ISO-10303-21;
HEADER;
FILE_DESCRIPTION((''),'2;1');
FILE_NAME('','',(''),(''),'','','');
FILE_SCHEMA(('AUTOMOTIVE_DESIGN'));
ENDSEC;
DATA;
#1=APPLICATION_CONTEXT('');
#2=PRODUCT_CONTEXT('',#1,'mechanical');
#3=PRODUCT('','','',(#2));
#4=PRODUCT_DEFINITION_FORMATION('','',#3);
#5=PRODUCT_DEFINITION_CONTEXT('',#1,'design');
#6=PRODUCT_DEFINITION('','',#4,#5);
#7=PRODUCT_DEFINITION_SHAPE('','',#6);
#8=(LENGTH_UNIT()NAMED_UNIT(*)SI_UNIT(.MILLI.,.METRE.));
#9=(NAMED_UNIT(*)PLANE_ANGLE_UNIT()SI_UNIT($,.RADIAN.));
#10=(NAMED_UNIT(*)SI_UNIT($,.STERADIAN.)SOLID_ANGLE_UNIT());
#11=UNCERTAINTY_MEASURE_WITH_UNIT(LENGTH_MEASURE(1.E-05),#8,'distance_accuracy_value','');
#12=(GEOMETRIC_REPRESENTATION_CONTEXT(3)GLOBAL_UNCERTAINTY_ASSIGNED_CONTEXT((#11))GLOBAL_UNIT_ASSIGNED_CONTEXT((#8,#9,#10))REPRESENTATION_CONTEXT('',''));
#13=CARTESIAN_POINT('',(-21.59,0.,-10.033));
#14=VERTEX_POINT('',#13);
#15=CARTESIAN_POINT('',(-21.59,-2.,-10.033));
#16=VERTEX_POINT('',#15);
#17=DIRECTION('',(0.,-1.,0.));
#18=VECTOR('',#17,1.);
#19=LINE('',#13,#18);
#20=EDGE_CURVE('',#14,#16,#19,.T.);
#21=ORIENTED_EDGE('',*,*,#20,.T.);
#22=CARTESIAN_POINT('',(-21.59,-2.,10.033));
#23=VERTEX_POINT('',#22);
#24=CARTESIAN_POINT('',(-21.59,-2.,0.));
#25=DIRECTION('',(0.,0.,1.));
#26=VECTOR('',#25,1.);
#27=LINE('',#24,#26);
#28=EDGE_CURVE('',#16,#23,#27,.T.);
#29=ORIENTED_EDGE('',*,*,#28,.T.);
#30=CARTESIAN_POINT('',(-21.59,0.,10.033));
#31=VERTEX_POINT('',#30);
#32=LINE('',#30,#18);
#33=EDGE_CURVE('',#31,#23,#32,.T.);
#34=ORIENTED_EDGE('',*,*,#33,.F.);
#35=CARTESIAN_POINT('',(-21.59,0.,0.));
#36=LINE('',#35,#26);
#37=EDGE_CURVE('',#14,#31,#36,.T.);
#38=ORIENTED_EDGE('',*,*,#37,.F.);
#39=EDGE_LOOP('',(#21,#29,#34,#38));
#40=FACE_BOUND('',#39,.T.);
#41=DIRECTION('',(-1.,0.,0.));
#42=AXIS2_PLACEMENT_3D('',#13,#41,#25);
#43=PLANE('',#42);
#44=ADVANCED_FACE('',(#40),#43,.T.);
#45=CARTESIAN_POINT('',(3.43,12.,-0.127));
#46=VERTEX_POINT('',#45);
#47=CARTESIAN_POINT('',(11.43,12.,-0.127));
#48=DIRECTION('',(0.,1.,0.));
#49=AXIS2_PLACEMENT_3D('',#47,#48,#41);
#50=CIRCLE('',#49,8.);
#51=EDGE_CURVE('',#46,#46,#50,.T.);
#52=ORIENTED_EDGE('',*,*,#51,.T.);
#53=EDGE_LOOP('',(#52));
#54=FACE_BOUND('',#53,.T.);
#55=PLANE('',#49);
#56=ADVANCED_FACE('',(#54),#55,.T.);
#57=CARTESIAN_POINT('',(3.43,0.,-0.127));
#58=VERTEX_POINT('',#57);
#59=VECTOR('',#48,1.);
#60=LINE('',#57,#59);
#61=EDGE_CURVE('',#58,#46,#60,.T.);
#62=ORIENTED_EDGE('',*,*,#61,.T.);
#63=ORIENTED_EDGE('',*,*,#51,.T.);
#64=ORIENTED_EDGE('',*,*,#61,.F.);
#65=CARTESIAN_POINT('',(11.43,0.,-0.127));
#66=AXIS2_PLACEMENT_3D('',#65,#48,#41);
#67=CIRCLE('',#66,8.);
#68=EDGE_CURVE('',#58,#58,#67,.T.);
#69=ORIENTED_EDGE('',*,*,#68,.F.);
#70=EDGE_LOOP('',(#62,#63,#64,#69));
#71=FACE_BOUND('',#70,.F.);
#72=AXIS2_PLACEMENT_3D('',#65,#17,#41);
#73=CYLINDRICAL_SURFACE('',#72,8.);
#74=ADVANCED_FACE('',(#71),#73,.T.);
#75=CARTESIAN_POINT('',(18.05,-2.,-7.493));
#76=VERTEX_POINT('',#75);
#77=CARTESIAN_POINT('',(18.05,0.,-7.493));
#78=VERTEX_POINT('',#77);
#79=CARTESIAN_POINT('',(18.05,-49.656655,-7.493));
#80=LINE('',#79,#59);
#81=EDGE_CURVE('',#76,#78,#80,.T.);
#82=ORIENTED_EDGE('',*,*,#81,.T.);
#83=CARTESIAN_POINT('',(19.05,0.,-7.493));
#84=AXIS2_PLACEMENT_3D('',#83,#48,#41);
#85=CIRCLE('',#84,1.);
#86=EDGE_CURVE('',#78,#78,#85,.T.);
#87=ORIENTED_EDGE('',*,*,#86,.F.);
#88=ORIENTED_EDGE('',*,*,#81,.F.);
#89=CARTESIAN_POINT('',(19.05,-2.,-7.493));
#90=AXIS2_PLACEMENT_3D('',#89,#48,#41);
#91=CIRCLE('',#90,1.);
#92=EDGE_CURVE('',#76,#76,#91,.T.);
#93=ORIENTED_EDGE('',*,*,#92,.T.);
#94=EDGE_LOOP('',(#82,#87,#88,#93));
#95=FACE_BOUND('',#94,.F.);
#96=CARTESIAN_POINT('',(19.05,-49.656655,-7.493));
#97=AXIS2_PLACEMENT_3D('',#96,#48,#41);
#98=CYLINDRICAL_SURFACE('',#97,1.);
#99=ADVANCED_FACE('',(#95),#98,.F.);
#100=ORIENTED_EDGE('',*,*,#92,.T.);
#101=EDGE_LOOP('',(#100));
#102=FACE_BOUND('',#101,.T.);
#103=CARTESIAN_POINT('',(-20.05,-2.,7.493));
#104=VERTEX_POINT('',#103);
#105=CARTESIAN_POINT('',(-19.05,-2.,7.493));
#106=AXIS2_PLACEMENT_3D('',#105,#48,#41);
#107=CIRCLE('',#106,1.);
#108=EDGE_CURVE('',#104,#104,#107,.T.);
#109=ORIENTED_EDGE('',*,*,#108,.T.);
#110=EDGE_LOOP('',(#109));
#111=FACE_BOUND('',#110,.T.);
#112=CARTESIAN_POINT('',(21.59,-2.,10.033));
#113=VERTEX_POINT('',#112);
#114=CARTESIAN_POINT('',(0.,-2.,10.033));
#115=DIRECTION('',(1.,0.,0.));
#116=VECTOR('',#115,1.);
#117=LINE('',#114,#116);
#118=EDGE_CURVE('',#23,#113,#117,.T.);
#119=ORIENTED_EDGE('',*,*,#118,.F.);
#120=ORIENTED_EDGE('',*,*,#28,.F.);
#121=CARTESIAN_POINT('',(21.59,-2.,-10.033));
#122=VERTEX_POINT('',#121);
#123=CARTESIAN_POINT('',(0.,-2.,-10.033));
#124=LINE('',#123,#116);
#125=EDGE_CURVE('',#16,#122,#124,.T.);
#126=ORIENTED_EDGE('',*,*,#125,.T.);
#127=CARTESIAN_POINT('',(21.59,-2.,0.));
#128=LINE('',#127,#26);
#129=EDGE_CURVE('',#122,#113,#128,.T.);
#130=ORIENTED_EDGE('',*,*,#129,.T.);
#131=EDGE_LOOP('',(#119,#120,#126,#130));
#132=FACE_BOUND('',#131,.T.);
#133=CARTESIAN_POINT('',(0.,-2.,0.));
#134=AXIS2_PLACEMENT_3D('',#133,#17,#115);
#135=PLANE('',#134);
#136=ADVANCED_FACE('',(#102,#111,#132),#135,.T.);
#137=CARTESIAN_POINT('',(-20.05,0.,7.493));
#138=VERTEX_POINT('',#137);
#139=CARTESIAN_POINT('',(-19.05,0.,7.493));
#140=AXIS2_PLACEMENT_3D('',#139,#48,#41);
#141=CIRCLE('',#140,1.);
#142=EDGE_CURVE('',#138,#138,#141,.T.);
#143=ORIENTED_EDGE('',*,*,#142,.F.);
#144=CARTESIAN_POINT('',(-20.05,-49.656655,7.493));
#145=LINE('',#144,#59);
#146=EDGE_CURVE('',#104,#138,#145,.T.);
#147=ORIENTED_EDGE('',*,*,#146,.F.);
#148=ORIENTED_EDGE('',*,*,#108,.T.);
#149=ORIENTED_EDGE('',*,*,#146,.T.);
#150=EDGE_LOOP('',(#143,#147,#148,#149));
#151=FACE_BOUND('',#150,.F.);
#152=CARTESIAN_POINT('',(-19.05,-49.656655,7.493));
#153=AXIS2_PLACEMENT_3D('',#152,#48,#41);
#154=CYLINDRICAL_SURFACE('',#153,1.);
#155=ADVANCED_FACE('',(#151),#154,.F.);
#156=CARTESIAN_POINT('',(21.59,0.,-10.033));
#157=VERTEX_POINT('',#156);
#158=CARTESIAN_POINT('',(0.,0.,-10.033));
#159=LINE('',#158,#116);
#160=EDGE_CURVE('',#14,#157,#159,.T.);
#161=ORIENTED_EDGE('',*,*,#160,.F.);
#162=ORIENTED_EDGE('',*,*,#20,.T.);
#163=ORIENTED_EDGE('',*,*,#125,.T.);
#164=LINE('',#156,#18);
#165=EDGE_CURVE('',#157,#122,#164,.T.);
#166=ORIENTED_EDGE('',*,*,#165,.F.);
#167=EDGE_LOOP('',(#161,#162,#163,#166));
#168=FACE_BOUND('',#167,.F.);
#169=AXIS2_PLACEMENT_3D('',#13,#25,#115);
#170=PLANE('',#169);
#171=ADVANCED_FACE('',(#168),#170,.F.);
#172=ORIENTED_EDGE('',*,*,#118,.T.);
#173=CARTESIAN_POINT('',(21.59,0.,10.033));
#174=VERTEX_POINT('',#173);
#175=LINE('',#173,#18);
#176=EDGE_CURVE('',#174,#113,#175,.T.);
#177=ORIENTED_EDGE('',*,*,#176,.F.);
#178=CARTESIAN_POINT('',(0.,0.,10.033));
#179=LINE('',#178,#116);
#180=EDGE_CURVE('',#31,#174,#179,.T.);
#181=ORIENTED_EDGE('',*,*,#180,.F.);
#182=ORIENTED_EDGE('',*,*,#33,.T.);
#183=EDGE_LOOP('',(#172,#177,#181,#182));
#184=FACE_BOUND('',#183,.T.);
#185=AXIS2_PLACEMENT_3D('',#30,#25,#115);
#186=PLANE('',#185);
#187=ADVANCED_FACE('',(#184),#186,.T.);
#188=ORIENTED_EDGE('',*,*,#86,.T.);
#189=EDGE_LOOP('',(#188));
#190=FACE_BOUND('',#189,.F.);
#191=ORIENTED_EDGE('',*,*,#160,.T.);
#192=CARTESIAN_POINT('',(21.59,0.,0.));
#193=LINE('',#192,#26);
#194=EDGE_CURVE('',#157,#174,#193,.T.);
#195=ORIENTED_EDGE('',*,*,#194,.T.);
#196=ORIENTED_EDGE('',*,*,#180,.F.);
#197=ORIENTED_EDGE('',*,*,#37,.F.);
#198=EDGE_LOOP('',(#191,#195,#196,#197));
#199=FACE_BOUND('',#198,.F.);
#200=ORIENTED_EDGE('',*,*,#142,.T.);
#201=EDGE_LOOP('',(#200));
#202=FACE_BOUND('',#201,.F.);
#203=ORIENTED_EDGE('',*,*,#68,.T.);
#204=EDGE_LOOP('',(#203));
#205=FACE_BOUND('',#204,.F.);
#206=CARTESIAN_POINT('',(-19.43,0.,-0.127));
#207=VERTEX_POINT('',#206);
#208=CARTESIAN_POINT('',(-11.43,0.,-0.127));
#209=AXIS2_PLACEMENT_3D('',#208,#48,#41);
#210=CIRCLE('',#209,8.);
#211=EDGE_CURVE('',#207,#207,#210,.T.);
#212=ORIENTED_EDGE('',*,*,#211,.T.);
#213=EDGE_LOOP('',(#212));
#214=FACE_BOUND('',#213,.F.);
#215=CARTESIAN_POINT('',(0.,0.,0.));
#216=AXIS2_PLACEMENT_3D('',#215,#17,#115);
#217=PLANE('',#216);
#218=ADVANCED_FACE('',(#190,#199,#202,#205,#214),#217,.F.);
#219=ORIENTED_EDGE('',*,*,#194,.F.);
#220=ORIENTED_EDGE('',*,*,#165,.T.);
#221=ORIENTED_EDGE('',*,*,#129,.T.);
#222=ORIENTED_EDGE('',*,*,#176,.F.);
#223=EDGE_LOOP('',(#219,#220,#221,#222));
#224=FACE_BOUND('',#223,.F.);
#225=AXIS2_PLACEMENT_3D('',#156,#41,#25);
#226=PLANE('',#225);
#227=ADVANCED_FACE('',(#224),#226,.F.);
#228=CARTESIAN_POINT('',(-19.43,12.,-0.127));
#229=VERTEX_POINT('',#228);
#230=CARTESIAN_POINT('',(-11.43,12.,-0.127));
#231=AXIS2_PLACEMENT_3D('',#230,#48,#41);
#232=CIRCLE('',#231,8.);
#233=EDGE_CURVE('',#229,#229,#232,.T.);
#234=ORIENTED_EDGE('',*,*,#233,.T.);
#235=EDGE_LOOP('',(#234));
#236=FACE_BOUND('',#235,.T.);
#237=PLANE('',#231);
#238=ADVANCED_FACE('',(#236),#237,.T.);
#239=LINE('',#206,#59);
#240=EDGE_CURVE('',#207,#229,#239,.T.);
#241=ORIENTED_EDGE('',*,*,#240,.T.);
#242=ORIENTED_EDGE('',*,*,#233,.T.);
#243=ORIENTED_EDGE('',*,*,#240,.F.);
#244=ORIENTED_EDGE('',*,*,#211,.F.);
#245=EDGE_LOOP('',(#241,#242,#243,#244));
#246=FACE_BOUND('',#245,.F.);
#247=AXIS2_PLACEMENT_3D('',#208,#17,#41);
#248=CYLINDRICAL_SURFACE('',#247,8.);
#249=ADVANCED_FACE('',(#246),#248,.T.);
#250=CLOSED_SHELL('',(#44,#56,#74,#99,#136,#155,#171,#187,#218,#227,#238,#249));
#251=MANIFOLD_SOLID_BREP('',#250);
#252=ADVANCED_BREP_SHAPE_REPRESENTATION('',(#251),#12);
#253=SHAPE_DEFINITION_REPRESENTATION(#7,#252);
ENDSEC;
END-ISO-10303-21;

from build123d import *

# Parameters (mm, degrees)
F0_W     = 43.18
F0_H     = 20.066
F1_DEPTH = 2
F3_D     = 2
F4_R     = 8
F5_DEPTH = 12


with BuildPart() as f1:
    # F0 (on Front) → F1 (new body)
    with BuildSketch(Plane.XZ):
        Rectangle(F0_W, F0_H)
    extrude(amount=F1_DEPTH)

    # F3 (through all)
    with Locations(Plane.XZ.offset(2)):
        with Locations((-19.05, 7.493), (19.05, -7.493)):
            Hole(F3_D / 2)

    # F4 (on face) → F5 (join)
    with BuildSketch(Plane(origin=(0, 0, 0), x_dir=(-1, 0, 0), z_dir=(0, 1, 0))):
        with Locations((11.43, -0.127)):
            Circle(F4_R)
        with Locations((-11.43, -0.127)):
            Circle(F4_R)
    extrude(amount=F5_DEPTH)


solid = f1.part
